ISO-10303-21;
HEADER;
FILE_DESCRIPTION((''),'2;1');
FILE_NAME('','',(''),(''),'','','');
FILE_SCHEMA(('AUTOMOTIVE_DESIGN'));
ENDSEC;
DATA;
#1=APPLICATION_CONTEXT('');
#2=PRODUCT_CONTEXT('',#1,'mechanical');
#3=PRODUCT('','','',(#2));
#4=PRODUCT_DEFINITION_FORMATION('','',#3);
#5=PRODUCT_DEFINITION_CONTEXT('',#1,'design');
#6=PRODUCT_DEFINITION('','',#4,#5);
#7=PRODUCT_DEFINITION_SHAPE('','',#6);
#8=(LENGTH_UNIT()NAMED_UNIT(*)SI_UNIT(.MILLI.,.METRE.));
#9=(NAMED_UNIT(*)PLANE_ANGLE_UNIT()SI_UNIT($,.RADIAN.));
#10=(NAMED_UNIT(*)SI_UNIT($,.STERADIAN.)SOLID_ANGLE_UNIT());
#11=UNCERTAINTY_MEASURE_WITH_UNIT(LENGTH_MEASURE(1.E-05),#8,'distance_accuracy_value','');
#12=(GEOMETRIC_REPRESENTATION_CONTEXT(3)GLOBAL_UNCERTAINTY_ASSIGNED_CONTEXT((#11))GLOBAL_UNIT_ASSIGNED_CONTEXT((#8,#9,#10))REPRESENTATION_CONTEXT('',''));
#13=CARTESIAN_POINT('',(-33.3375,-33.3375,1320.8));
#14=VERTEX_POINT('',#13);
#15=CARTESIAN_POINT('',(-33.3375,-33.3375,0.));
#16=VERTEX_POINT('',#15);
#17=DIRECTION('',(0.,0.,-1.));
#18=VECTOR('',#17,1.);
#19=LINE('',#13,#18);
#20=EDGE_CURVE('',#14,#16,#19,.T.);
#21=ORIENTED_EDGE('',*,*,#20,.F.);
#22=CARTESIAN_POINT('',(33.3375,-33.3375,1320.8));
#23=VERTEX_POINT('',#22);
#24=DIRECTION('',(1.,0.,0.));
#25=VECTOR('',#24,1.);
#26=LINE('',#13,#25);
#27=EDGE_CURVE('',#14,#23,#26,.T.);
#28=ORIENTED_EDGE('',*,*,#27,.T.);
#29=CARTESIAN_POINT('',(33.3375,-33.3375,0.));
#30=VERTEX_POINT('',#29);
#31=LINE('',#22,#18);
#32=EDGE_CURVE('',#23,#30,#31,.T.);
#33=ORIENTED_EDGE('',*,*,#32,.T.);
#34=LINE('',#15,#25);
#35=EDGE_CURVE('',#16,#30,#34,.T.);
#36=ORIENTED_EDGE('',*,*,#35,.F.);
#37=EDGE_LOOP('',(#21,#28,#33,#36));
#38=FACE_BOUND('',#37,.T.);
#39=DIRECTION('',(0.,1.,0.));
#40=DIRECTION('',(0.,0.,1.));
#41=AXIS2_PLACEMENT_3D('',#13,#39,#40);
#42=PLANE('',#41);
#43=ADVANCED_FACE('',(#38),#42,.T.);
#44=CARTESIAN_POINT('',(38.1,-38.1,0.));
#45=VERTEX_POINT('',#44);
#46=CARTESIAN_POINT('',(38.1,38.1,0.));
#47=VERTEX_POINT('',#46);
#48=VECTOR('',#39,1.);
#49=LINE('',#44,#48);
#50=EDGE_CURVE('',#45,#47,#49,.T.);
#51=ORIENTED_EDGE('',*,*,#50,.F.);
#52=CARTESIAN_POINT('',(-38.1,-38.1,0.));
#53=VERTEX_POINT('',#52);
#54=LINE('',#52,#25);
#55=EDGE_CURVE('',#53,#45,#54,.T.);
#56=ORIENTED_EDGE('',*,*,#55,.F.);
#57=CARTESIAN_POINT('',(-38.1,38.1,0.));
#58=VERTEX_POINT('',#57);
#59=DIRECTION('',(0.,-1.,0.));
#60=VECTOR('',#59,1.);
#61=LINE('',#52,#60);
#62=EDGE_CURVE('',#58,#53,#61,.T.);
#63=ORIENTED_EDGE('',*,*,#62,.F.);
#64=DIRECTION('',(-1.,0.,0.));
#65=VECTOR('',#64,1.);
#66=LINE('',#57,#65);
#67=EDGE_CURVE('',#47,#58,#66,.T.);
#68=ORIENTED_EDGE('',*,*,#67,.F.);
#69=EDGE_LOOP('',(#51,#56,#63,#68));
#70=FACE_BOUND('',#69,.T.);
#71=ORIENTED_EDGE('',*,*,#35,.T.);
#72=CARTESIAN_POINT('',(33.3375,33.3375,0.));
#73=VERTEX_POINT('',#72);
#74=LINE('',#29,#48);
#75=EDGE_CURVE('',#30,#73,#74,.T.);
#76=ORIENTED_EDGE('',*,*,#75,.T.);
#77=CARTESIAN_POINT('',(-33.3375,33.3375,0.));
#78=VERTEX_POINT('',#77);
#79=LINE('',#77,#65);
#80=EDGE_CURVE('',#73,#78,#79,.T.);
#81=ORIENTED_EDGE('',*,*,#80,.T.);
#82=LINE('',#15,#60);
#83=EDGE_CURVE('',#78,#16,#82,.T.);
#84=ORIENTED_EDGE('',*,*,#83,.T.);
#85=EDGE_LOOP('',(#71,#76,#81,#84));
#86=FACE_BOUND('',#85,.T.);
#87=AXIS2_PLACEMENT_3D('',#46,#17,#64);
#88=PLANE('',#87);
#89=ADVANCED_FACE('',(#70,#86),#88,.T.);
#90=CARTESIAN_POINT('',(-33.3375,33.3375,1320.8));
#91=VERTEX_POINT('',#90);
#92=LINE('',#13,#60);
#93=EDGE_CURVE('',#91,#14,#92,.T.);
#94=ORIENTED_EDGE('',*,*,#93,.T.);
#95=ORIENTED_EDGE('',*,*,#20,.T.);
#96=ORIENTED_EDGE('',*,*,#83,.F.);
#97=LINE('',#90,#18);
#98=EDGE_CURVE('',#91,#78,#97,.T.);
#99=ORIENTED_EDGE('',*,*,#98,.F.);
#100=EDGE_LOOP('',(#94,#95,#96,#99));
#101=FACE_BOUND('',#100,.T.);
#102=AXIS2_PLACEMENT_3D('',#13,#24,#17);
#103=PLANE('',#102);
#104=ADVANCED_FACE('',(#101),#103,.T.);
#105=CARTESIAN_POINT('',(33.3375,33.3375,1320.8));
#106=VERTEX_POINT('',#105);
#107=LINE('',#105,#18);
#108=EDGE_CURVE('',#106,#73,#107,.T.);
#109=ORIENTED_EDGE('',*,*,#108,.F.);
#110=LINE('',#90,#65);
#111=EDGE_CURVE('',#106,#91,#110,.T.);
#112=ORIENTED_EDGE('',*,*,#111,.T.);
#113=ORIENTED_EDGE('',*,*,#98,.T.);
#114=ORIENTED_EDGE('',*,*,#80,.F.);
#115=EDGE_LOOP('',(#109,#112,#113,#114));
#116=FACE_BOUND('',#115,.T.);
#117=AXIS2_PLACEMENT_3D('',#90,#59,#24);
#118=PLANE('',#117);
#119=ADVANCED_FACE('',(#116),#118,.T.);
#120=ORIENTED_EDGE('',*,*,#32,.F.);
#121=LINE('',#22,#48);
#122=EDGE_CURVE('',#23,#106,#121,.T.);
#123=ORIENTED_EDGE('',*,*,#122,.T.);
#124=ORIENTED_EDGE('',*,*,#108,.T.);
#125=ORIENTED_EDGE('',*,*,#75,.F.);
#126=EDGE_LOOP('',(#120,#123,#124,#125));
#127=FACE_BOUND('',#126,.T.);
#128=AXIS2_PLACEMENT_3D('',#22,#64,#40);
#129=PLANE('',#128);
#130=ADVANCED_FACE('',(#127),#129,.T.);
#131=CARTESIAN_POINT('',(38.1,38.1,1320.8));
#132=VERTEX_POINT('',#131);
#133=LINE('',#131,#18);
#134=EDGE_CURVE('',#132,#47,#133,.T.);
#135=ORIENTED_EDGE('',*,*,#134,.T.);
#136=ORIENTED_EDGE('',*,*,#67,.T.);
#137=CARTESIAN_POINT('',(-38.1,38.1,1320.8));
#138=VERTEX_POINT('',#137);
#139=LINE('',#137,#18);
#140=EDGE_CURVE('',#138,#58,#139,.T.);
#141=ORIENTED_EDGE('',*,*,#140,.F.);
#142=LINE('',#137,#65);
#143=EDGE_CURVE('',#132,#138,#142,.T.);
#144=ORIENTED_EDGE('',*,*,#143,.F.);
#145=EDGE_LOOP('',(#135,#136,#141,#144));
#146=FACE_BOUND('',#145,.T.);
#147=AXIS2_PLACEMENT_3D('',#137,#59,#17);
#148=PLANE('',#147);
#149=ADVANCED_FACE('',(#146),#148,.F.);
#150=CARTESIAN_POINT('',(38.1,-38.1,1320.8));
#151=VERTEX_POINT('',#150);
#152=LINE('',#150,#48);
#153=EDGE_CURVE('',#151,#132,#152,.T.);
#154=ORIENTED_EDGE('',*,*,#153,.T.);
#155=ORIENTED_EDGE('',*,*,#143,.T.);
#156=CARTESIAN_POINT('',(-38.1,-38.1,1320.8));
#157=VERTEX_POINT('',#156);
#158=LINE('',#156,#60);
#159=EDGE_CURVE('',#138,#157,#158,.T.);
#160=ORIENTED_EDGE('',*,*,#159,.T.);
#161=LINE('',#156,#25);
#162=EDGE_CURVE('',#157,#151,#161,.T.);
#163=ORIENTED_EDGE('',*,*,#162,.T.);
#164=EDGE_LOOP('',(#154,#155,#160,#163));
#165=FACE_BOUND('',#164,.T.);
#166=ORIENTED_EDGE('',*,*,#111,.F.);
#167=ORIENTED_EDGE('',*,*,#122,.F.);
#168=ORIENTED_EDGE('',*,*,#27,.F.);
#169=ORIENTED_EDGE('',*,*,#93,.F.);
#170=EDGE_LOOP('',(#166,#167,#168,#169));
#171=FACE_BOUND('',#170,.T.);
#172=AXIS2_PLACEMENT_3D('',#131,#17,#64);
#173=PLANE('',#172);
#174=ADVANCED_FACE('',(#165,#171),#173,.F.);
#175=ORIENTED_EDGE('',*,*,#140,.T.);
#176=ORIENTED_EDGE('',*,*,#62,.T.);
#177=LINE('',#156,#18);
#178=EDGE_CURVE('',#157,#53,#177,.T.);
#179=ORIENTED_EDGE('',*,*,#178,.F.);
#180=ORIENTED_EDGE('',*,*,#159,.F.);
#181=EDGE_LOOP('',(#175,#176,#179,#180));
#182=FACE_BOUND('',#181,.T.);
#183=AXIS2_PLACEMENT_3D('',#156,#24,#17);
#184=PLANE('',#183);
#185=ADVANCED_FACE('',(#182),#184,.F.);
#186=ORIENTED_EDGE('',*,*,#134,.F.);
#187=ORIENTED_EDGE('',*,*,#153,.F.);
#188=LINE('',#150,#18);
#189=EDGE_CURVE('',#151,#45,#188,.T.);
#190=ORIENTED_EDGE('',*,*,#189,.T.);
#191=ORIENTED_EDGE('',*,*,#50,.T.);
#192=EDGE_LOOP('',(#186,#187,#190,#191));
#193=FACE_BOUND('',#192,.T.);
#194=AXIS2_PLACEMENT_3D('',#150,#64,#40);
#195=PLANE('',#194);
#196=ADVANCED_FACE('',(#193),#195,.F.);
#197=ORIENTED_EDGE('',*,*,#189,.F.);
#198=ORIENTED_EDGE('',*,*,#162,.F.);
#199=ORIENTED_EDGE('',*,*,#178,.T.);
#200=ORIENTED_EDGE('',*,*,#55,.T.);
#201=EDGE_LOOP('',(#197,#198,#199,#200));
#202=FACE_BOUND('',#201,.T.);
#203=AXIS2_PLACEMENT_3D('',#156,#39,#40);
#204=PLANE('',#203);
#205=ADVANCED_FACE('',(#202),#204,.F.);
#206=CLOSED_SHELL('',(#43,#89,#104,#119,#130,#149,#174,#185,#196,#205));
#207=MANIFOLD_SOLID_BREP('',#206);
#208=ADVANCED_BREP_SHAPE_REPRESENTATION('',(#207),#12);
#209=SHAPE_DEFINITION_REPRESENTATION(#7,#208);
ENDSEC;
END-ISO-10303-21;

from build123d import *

# Parameters (mm, degrees)
SKETCH1_W           = 76.2
SKETCH1_H           = 76.2
SKETCH1_W_2         = 66.675
SKETCH1_H_2         = 66.675
BOSS_EXTRUDE1_DEPTH = 1320.8


with BuildPart() as part:
    # Sketch1 → Boss-Extrude1 (new body)
    with BuildSketch(Plane.XY):
        Rectangle(SKETCH1_W, SKETCH1_H)
        Rectangle(SKETCH1_W_2, SKETCH1_H_2, mode=Mode.SUBTRACT)
    extrude(amount=BOSS_EXTRUDE1_DEPTH)


solid = part.part
